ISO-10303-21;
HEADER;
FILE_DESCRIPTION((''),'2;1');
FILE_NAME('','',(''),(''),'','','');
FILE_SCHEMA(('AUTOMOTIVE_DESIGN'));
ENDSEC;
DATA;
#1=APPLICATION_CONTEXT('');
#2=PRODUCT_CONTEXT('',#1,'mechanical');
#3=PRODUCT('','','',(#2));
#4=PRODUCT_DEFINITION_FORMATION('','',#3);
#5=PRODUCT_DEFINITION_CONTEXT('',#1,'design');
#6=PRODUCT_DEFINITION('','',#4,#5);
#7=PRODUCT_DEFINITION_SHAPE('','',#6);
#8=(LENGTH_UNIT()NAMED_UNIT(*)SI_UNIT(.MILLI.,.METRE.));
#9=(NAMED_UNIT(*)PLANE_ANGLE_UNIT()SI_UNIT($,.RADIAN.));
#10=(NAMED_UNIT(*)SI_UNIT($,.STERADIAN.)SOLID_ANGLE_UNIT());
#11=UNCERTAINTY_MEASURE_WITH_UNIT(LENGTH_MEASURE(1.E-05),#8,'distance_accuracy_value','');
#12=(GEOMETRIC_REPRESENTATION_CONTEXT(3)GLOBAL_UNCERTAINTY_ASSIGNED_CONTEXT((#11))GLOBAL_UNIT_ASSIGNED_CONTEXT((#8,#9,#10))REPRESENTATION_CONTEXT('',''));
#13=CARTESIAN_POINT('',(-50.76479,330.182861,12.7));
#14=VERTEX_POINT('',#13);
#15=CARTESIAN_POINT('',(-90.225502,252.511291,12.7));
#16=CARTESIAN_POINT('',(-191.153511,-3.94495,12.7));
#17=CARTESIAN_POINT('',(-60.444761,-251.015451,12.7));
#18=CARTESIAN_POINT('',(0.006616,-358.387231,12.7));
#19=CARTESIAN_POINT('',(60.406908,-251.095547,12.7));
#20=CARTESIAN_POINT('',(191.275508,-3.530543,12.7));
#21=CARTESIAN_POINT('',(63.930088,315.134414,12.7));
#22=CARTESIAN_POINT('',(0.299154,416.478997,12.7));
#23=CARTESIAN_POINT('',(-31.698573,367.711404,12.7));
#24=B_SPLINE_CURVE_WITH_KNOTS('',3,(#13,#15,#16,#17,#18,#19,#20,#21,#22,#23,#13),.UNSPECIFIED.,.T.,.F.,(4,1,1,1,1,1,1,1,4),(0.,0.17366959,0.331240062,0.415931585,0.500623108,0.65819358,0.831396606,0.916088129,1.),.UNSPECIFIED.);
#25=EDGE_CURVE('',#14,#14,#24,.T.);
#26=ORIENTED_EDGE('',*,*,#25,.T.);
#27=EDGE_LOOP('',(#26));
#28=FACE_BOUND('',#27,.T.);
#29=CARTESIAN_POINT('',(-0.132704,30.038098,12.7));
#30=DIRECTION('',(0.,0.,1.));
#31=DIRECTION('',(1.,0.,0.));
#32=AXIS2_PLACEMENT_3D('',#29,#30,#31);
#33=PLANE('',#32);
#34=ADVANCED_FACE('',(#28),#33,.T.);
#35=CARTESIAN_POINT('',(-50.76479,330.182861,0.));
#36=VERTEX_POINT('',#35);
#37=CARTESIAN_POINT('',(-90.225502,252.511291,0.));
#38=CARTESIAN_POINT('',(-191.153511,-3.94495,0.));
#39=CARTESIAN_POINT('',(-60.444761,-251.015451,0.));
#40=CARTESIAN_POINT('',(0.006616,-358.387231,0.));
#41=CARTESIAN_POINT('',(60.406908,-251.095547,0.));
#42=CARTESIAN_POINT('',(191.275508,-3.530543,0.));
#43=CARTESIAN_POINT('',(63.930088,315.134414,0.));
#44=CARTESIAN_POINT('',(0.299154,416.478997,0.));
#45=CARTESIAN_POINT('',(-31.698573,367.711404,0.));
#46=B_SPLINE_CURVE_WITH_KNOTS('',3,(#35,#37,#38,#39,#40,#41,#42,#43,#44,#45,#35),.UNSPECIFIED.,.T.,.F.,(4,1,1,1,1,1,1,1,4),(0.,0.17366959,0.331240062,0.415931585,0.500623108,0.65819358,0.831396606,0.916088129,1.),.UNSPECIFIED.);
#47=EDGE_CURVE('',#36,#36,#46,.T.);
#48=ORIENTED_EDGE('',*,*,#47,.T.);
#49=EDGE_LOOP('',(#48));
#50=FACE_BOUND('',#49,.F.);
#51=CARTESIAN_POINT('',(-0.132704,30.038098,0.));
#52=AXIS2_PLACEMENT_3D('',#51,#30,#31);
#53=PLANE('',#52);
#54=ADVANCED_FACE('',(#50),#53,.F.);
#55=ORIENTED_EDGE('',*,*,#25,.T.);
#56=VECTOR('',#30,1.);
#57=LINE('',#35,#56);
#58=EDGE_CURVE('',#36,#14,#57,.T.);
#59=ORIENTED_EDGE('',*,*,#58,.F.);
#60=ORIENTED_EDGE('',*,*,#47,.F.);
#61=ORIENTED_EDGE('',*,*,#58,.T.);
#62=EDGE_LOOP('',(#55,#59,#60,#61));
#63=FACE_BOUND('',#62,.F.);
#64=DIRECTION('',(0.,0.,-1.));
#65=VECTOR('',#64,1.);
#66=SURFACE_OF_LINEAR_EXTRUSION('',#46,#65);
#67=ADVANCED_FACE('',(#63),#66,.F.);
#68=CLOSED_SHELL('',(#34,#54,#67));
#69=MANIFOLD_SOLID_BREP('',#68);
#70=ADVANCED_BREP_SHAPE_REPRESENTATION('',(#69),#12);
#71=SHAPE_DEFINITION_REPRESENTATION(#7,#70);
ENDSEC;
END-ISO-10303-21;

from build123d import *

# Parameters (mm, degrees)
F1_DEPTH = 12.7


with BuildPart() as f1:
    # F0 (on Top) → F1 (new body)
    with BuildSketch(Plane.XY):
        with BuildLine():
            add(Edge.make_bspline(
                [(-50.7647903131, 330.1828605522), (-90.2255020993, 252.5112913035), (-191.1535106154, -3.9449497039), (-60.4447614407, -251.0154507087), (0.0066164981, -358.387231227), (60.4069083805, -251.0955470761), (191.2755078604, -3.5305431044), (63.9300881107, 315.1344137925), (0.2991536919, 416.4789965002), (-31.6985728454, 367.711403838), (-50.7647903131, 330.1828605522)],
                knots=[0, 0, 0, 0, 0.1736695901, 0.3312400623, 0.415931585, 0.5006231078, 0.65819358, 0.8313966058, 0.9160881286, 1, 1, 1, 1], degree=3))
        make_face()
    extrude(amount=F1_DEPTH)


solid = f1.part
